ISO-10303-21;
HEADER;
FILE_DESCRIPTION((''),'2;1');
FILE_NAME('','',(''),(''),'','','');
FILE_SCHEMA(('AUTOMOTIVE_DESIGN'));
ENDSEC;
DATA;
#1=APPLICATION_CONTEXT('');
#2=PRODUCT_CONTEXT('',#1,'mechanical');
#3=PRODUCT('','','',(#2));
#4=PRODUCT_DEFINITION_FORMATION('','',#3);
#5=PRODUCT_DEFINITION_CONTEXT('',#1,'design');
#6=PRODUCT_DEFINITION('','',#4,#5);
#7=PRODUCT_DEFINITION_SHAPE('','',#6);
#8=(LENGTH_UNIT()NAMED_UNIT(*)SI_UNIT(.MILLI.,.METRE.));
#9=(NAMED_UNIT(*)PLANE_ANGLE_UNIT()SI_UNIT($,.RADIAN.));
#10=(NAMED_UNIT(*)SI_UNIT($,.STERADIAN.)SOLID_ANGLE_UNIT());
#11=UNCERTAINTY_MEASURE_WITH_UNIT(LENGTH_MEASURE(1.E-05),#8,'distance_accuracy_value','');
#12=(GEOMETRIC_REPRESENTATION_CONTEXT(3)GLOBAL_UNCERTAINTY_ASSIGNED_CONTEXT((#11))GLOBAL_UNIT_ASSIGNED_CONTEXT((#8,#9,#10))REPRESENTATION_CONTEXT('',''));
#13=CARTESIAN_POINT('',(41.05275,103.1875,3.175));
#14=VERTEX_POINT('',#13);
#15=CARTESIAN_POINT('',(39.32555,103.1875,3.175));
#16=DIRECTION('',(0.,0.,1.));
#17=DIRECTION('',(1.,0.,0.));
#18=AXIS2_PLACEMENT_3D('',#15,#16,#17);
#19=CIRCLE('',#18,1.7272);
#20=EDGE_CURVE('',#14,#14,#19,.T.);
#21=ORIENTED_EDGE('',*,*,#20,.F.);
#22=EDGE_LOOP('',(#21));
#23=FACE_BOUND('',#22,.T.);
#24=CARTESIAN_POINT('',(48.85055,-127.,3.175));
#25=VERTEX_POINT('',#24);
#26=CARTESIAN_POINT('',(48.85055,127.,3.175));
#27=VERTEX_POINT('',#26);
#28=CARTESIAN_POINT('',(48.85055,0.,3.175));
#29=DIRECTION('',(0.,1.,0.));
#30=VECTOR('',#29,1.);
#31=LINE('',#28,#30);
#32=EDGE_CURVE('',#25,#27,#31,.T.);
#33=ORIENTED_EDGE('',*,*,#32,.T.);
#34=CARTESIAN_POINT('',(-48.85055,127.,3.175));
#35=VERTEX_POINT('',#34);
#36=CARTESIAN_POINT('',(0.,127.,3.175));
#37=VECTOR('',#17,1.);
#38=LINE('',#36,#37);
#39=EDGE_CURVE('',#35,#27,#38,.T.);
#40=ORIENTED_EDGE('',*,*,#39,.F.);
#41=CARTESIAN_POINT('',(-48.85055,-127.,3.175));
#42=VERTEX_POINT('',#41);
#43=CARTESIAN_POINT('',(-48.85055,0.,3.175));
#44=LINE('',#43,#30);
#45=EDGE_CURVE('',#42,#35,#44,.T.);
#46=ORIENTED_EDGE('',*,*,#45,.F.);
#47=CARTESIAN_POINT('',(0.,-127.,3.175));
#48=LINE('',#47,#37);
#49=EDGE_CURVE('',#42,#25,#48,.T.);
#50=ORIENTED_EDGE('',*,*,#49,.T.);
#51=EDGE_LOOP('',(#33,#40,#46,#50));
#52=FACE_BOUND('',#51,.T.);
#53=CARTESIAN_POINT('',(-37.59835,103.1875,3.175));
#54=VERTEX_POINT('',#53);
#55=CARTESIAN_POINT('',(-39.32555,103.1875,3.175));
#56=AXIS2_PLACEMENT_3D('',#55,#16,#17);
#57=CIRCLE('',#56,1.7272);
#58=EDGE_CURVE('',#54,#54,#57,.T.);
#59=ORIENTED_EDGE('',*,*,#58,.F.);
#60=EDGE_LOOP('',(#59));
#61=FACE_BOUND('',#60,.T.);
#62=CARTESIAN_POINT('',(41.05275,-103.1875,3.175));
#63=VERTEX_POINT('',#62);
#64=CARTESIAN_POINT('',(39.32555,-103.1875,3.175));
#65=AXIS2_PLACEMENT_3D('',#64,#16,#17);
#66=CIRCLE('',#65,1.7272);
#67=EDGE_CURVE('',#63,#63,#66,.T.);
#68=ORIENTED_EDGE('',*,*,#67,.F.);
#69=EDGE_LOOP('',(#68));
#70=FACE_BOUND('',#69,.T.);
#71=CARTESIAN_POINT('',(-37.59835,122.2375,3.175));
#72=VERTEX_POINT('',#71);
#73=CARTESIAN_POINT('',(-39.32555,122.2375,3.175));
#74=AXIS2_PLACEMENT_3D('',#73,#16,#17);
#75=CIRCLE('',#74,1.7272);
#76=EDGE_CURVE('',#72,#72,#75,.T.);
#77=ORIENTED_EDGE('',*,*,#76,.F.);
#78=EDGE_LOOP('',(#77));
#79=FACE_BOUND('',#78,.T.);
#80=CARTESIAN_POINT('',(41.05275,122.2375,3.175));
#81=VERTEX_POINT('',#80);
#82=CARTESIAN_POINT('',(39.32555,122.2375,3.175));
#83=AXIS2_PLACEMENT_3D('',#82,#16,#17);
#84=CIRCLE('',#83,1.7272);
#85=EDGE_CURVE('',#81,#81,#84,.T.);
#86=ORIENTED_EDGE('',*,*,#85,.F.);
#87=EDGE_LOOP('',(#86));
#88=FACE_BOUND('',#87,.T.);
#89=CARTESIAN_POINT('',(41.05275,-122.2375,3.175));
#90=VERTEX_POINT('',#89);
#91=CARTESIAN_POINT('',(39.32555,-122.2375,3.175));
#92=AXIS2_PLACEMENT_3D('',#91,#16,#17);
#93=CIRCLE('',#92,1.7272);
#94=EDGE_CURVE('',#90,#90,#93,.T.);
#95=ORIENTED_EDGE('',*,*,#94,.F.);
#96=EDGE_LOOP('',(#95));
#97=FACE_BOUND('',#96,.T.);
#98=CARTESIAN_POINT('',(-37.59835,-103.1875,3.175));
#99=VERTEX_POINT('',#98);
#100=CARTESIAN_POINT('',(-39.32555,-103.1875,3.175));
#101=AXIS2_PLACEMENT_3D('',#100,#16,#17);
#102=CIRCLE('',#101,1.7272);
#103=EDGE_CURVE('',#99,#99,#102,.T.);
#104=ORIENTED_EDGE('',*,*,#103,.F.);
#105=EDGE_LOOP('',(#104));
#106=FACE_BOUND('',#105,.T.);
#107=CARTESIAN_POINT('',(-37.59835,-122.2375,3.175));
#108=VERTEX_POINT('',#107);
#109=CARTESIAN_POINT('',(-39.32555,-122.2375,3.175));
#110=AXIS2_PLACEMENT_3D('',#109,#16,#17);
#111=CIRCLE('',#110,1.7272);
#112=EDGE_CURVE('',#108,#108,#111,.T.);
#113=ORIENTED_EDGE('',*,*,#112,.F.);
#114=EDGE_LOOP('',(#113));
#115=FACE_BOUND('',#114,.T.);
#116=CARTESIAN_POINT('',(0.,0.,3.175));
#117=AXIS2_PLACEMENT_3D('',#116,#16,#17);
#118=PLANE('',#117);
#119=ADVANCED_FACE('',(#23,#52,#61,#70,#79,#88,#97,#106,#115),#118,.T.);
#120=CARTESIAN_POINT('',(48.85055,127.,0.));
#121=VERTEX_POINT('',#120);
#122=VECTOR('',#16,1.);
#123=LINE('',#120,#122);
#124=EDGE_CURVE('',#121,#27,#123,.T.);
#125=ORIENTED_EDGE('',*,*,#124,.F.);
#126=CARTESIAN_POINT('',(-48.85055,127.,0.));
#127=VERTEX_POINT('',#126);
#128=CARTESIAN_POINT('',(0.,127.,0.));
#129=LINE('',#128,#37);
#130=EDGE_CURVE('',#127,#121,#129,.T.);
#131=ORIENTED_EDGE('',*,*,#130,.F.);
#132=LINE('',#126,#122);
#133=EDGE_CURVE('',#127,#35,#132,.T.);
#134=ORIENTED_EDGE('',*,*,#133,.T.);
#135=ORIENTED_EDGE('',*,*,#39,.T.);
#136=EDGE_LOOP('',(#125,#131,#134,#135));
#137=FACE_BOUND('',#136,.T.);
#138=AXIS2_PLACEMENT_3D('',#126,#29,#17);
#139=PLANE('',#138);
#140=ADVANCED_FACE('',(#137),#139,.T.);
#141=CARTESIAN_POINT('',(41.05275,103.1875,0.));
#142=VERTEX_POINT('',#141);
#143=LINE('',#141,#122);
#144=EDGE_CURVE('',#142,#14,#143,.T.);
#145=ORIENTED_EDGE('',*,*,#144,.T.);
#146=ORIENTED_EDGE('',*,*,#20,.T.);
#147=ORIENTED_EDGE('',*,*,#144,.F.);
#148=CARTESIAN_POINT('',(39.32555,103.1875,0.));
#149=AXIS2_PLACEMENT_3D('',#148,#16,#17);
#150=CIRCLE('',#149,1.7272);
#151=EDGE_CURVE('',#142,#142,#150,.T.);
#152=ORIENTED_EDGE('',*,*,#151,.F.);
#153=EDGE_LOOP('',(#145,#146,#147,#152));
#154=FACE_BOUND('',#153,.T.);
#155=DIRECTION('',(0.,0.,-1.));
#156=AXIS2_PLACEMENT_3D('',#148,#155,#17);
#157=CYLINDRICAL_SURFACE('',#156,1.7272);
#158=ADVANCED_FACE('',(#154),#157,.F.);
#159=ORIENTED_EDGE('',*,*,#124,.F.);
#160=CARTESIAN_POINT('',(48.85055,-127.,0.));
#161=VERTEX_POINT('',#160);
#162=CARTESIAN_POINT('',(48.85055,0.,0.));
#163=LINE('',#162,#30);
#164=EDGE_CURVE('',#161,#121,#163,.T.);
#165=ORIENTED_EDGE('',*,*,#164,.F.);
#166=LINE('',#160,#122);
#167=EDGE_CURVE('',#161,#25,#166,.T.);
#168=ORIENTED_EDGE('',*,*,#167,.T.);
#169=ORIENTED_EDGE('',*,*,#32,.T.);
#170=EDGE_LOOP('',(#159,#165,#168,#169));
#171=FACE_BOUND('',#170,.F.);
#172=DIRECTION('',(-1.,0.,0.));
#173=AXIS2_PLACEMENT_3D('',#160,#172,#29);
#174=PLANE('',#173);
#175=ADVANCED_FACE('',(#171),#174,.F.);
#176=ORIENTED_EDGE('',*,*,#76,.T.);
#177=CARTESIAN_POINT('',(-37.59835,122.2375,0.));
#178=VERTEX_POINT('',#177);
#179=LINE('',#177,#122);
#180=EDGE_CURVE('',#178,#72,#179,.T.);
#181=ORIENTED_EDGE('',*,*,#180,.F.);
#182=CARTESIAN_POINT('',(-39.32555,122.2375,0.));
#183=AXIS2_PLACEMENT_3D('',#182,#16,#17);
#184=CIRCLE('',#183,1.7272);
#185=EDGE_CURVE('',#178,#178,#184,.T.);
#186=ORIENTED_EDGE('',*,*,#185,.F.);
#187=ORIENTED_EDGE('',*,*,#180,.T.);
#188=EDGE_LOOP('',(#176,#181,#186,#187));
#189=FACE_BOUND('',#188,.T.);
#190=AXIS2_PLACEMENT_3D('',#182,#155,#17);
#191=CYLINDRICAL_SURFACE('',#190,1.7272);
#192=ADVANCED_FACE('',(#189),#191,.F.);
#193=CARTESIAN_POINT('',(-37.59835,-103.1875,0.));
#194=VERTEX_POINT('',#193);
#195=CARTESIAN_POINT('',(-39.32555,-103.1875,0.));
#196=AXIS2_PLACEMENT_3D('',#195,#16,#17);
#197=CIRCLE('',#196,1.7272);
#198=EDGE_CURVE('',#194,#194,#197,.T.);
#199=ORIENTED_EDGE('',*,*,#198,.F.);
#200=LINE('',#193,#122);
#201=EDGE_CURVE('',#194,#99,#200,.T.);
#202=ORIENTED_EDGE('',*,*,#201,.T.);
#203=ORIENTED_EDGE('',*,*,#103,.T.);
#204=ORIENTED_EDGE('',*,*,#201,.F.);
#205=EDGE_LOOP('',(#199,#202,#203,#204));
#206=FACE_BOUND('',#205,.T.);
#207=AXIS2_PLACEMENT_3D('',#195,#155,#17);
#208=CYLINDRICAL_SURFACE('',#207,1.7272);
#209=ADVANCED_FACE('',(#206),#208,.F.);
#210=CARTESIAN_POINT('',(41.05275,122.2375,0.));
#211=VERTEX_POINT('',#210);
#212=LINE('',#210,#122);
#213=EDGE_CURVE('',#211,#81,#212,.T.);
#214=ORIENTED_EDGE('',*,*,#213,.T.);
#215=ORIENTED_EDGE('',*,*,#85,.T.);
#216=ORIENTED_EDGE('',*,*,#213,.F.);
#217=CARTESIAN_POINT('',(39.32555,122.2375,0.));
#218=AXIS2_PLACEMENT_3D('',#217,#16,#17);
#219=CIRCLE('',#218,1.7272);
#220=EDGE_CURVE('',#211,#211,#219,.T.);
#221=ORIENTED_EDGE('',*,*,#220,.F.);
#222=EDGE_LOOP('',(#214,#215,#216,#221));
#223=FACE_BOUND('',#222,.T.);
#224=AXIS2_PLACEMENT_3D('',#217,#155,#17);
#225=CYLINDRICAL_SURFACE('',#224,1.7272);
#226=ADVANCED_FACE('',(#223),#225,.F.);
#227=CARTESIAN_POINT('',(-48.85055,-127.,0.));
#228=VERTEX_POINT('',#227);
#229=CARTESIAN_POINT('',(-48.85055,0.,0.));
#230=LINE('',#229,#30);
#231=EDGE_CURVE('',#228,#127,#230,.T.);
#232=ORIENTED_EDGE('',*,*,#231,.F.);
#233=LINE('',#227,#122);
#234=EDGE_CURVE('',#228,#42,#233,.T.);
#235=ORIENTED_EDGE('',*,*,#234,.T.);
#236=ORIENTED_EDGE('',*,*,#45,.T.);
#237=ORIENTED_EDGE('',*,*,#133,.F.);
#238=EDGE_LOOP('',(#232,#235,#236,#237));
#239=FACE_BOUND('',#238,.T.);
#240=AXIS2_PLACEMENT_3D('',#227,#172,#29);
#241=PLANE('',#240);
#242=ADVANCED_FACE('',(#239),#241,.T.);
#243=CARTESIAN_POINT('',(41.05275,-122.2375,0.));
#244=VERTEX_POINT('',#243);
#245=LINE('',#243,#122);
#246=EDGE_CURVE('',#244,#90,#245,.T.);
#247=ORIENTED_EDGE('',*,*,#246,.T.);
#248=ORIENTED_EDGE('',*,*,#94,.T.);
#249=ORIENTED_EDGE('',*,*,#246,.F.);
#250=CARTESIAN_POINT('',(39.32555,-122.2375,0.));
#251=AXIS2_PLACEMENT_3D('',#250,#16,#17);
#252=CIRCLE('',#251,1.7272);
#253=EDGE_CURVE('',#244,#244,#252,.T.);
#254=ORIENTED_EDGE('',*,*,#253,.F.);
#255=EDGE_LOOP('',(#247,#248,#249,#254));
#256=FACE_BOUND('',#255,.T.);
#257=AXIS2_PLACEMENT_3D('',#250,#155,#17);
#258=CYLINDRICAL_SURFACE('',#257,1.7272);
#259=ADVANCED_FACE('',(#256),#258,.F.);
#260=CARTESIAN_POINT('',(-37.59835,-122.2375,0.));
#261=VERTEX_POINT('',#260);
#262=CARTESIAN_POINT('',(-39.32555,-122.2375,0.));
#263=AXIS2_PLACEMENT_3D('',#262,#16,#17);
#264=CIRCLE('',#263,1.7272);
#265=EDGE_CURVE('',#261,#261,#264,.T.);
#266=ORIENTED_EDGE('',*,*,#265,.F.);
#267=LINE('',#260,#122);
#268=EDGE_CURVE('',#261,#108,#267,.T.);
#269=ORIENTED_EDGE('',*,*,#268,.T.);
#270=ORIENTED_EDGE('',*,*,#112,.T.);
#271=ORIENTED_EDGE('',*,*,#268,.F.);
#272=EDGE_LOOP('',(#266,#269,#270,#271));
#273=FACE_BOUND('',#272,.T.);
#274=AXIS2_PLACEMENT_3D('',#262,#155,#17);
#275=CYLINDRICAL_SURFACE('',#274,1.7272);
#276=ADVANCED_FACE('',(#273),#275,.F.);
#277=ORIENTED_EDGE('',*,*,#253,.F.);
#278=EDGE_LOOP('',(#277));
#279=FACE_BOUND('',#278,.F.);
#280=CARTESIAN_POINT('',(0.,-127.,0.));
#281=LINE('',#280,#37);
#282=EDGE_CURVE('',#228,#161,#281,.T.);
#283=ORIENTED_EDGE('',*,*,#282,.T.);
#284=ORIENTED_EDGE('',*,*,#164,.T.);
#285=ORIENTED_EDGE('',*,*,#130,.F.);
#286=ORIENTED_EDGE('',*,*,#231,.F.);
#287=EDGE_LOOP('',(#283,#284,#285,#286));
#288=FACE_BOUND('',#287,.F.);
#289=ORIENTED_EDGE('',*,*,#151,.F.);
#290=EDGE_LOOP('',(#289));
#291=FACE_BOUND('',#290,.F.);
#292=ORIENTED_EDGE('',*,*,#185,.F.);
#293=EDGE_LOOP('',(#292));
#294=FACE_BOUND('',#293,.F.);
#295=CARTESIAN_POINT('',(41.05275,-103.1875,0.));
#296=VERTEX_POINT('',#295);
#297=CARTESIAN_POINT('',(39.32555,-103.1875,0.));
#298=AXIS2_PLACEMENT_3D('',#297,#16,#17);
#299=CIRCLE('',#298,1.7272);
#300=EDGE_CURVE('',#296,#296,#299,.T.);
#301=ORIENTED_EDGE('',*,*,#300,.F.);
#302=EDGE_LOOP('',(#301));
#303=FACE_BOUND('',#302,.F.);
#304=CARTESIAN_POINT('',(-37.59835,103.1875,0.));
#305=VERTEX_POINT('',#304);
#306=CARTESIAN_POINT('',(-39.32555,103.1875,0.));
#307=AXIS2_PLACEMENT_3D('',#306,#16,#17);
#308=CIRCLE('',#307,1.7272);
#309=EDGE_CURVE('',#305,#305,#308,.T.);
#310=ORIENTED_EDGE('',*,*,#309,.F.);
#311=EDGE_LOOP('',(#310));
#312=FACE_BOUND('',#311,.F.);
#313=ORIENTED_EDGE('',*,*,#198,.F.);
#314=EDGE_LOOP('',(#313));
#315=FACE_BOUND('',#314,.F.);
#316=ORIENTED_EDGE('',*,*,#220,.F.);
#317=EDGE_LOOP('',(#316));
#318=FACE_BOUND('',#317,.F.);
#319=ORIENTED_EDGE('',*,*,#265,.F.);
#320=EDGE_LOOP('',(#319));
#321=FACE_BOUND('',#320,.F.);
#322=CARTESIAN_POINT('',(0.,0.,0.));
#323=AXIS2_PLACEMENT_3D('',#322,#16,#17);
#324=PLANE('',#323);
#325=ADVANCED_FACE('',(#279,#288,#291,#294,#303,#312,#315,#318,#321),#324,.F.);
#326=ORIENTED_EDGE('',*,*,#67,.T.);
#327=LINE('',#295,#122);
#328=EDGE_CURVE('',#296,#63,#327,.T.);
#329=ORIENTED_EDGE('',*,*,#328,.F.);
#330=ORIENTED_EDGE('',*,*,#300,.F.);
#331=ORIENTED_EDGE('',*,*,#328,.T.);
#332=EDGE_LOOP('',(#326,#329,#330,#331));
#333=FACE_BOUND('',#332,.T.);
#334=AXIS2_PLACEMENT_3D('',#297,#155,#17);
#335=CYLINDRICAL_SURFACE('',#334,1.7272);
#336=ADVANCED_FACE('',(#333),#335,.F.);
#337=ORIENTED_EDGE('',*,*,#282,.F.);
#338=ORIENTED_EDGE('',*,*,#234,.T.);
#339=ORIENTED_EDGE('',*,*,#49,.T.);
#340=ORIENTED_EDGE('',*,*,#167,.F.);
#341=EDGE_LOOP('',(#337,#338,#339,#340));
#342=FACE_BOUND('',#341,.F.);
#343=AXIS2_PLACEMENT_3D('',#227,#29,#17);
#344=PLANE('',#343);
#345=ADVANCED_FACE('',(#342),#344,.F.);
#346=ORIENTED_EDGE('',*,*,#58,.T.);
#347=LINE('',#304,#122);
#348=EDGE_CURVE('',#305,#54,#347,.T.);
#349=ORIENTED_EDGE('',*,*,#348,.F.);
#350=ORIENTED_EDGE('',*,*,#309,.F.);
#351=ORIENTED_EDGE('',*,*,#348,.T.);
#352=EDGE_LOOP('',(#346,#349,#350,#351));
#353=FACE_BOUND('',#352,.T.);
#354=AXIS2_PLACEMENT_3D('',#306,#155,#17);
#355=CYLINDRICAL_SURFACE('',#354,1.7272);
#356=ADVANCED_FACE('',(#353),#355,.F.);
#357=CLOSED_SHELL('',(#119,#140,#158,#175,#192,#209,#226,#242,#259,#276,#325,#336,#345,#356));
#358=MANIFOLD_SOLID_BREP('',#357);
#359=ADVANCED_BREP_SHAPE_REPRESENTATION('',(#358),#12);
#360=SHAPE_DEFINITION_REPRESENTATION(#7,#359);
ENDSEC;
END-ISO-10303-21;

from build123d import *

# Parameters (mm, degrees)
F0_W     = 97.7011
F0_H     = 254
F0_R     = 1.7272
F1_DEPTH = 3.175


with BuildPart() as f1:
    # F0 (on Top) → F1 (new body)
    with BuildSketch(Plane.XY):
        Rectangle(F0_W, F0_H)
        with Locations((-39.32555, -122.2375)):
            Circle(F0_R, mode=Mode.SUBTRACT)
        with Locations((-39.32555, -103.1875)):
            Circle(F0_R, mode=Mode.SUBTRACT)
        with Locations((39.32555, -122.2375)):
            Circle(F0_R, mode=Mode.SUBTRACT)
        with Locations((39.32555, -103.1875)):
            Circle(F0_R, mode=Mode.SUBTRACT)
        with Locations((-39.32555, 103.1875)):
            Circle(F0_R, mode=Mode.SUBTRACT)
        with Locations((-39.32555, 122.2375)):
            Circle(F0_R, mode=Mode.SUBTRACT)
        with Locations((39.32555, 103.1875)):
            Circle(F0_R, mode=Mode.SUBTRACT)
        with Locations((39.32555, 122.2375)):
            Circle(F0_R, mode=Mode.SUBTRACT)
    extrude(amount=F1_DEPTH)


solid = f1.part
